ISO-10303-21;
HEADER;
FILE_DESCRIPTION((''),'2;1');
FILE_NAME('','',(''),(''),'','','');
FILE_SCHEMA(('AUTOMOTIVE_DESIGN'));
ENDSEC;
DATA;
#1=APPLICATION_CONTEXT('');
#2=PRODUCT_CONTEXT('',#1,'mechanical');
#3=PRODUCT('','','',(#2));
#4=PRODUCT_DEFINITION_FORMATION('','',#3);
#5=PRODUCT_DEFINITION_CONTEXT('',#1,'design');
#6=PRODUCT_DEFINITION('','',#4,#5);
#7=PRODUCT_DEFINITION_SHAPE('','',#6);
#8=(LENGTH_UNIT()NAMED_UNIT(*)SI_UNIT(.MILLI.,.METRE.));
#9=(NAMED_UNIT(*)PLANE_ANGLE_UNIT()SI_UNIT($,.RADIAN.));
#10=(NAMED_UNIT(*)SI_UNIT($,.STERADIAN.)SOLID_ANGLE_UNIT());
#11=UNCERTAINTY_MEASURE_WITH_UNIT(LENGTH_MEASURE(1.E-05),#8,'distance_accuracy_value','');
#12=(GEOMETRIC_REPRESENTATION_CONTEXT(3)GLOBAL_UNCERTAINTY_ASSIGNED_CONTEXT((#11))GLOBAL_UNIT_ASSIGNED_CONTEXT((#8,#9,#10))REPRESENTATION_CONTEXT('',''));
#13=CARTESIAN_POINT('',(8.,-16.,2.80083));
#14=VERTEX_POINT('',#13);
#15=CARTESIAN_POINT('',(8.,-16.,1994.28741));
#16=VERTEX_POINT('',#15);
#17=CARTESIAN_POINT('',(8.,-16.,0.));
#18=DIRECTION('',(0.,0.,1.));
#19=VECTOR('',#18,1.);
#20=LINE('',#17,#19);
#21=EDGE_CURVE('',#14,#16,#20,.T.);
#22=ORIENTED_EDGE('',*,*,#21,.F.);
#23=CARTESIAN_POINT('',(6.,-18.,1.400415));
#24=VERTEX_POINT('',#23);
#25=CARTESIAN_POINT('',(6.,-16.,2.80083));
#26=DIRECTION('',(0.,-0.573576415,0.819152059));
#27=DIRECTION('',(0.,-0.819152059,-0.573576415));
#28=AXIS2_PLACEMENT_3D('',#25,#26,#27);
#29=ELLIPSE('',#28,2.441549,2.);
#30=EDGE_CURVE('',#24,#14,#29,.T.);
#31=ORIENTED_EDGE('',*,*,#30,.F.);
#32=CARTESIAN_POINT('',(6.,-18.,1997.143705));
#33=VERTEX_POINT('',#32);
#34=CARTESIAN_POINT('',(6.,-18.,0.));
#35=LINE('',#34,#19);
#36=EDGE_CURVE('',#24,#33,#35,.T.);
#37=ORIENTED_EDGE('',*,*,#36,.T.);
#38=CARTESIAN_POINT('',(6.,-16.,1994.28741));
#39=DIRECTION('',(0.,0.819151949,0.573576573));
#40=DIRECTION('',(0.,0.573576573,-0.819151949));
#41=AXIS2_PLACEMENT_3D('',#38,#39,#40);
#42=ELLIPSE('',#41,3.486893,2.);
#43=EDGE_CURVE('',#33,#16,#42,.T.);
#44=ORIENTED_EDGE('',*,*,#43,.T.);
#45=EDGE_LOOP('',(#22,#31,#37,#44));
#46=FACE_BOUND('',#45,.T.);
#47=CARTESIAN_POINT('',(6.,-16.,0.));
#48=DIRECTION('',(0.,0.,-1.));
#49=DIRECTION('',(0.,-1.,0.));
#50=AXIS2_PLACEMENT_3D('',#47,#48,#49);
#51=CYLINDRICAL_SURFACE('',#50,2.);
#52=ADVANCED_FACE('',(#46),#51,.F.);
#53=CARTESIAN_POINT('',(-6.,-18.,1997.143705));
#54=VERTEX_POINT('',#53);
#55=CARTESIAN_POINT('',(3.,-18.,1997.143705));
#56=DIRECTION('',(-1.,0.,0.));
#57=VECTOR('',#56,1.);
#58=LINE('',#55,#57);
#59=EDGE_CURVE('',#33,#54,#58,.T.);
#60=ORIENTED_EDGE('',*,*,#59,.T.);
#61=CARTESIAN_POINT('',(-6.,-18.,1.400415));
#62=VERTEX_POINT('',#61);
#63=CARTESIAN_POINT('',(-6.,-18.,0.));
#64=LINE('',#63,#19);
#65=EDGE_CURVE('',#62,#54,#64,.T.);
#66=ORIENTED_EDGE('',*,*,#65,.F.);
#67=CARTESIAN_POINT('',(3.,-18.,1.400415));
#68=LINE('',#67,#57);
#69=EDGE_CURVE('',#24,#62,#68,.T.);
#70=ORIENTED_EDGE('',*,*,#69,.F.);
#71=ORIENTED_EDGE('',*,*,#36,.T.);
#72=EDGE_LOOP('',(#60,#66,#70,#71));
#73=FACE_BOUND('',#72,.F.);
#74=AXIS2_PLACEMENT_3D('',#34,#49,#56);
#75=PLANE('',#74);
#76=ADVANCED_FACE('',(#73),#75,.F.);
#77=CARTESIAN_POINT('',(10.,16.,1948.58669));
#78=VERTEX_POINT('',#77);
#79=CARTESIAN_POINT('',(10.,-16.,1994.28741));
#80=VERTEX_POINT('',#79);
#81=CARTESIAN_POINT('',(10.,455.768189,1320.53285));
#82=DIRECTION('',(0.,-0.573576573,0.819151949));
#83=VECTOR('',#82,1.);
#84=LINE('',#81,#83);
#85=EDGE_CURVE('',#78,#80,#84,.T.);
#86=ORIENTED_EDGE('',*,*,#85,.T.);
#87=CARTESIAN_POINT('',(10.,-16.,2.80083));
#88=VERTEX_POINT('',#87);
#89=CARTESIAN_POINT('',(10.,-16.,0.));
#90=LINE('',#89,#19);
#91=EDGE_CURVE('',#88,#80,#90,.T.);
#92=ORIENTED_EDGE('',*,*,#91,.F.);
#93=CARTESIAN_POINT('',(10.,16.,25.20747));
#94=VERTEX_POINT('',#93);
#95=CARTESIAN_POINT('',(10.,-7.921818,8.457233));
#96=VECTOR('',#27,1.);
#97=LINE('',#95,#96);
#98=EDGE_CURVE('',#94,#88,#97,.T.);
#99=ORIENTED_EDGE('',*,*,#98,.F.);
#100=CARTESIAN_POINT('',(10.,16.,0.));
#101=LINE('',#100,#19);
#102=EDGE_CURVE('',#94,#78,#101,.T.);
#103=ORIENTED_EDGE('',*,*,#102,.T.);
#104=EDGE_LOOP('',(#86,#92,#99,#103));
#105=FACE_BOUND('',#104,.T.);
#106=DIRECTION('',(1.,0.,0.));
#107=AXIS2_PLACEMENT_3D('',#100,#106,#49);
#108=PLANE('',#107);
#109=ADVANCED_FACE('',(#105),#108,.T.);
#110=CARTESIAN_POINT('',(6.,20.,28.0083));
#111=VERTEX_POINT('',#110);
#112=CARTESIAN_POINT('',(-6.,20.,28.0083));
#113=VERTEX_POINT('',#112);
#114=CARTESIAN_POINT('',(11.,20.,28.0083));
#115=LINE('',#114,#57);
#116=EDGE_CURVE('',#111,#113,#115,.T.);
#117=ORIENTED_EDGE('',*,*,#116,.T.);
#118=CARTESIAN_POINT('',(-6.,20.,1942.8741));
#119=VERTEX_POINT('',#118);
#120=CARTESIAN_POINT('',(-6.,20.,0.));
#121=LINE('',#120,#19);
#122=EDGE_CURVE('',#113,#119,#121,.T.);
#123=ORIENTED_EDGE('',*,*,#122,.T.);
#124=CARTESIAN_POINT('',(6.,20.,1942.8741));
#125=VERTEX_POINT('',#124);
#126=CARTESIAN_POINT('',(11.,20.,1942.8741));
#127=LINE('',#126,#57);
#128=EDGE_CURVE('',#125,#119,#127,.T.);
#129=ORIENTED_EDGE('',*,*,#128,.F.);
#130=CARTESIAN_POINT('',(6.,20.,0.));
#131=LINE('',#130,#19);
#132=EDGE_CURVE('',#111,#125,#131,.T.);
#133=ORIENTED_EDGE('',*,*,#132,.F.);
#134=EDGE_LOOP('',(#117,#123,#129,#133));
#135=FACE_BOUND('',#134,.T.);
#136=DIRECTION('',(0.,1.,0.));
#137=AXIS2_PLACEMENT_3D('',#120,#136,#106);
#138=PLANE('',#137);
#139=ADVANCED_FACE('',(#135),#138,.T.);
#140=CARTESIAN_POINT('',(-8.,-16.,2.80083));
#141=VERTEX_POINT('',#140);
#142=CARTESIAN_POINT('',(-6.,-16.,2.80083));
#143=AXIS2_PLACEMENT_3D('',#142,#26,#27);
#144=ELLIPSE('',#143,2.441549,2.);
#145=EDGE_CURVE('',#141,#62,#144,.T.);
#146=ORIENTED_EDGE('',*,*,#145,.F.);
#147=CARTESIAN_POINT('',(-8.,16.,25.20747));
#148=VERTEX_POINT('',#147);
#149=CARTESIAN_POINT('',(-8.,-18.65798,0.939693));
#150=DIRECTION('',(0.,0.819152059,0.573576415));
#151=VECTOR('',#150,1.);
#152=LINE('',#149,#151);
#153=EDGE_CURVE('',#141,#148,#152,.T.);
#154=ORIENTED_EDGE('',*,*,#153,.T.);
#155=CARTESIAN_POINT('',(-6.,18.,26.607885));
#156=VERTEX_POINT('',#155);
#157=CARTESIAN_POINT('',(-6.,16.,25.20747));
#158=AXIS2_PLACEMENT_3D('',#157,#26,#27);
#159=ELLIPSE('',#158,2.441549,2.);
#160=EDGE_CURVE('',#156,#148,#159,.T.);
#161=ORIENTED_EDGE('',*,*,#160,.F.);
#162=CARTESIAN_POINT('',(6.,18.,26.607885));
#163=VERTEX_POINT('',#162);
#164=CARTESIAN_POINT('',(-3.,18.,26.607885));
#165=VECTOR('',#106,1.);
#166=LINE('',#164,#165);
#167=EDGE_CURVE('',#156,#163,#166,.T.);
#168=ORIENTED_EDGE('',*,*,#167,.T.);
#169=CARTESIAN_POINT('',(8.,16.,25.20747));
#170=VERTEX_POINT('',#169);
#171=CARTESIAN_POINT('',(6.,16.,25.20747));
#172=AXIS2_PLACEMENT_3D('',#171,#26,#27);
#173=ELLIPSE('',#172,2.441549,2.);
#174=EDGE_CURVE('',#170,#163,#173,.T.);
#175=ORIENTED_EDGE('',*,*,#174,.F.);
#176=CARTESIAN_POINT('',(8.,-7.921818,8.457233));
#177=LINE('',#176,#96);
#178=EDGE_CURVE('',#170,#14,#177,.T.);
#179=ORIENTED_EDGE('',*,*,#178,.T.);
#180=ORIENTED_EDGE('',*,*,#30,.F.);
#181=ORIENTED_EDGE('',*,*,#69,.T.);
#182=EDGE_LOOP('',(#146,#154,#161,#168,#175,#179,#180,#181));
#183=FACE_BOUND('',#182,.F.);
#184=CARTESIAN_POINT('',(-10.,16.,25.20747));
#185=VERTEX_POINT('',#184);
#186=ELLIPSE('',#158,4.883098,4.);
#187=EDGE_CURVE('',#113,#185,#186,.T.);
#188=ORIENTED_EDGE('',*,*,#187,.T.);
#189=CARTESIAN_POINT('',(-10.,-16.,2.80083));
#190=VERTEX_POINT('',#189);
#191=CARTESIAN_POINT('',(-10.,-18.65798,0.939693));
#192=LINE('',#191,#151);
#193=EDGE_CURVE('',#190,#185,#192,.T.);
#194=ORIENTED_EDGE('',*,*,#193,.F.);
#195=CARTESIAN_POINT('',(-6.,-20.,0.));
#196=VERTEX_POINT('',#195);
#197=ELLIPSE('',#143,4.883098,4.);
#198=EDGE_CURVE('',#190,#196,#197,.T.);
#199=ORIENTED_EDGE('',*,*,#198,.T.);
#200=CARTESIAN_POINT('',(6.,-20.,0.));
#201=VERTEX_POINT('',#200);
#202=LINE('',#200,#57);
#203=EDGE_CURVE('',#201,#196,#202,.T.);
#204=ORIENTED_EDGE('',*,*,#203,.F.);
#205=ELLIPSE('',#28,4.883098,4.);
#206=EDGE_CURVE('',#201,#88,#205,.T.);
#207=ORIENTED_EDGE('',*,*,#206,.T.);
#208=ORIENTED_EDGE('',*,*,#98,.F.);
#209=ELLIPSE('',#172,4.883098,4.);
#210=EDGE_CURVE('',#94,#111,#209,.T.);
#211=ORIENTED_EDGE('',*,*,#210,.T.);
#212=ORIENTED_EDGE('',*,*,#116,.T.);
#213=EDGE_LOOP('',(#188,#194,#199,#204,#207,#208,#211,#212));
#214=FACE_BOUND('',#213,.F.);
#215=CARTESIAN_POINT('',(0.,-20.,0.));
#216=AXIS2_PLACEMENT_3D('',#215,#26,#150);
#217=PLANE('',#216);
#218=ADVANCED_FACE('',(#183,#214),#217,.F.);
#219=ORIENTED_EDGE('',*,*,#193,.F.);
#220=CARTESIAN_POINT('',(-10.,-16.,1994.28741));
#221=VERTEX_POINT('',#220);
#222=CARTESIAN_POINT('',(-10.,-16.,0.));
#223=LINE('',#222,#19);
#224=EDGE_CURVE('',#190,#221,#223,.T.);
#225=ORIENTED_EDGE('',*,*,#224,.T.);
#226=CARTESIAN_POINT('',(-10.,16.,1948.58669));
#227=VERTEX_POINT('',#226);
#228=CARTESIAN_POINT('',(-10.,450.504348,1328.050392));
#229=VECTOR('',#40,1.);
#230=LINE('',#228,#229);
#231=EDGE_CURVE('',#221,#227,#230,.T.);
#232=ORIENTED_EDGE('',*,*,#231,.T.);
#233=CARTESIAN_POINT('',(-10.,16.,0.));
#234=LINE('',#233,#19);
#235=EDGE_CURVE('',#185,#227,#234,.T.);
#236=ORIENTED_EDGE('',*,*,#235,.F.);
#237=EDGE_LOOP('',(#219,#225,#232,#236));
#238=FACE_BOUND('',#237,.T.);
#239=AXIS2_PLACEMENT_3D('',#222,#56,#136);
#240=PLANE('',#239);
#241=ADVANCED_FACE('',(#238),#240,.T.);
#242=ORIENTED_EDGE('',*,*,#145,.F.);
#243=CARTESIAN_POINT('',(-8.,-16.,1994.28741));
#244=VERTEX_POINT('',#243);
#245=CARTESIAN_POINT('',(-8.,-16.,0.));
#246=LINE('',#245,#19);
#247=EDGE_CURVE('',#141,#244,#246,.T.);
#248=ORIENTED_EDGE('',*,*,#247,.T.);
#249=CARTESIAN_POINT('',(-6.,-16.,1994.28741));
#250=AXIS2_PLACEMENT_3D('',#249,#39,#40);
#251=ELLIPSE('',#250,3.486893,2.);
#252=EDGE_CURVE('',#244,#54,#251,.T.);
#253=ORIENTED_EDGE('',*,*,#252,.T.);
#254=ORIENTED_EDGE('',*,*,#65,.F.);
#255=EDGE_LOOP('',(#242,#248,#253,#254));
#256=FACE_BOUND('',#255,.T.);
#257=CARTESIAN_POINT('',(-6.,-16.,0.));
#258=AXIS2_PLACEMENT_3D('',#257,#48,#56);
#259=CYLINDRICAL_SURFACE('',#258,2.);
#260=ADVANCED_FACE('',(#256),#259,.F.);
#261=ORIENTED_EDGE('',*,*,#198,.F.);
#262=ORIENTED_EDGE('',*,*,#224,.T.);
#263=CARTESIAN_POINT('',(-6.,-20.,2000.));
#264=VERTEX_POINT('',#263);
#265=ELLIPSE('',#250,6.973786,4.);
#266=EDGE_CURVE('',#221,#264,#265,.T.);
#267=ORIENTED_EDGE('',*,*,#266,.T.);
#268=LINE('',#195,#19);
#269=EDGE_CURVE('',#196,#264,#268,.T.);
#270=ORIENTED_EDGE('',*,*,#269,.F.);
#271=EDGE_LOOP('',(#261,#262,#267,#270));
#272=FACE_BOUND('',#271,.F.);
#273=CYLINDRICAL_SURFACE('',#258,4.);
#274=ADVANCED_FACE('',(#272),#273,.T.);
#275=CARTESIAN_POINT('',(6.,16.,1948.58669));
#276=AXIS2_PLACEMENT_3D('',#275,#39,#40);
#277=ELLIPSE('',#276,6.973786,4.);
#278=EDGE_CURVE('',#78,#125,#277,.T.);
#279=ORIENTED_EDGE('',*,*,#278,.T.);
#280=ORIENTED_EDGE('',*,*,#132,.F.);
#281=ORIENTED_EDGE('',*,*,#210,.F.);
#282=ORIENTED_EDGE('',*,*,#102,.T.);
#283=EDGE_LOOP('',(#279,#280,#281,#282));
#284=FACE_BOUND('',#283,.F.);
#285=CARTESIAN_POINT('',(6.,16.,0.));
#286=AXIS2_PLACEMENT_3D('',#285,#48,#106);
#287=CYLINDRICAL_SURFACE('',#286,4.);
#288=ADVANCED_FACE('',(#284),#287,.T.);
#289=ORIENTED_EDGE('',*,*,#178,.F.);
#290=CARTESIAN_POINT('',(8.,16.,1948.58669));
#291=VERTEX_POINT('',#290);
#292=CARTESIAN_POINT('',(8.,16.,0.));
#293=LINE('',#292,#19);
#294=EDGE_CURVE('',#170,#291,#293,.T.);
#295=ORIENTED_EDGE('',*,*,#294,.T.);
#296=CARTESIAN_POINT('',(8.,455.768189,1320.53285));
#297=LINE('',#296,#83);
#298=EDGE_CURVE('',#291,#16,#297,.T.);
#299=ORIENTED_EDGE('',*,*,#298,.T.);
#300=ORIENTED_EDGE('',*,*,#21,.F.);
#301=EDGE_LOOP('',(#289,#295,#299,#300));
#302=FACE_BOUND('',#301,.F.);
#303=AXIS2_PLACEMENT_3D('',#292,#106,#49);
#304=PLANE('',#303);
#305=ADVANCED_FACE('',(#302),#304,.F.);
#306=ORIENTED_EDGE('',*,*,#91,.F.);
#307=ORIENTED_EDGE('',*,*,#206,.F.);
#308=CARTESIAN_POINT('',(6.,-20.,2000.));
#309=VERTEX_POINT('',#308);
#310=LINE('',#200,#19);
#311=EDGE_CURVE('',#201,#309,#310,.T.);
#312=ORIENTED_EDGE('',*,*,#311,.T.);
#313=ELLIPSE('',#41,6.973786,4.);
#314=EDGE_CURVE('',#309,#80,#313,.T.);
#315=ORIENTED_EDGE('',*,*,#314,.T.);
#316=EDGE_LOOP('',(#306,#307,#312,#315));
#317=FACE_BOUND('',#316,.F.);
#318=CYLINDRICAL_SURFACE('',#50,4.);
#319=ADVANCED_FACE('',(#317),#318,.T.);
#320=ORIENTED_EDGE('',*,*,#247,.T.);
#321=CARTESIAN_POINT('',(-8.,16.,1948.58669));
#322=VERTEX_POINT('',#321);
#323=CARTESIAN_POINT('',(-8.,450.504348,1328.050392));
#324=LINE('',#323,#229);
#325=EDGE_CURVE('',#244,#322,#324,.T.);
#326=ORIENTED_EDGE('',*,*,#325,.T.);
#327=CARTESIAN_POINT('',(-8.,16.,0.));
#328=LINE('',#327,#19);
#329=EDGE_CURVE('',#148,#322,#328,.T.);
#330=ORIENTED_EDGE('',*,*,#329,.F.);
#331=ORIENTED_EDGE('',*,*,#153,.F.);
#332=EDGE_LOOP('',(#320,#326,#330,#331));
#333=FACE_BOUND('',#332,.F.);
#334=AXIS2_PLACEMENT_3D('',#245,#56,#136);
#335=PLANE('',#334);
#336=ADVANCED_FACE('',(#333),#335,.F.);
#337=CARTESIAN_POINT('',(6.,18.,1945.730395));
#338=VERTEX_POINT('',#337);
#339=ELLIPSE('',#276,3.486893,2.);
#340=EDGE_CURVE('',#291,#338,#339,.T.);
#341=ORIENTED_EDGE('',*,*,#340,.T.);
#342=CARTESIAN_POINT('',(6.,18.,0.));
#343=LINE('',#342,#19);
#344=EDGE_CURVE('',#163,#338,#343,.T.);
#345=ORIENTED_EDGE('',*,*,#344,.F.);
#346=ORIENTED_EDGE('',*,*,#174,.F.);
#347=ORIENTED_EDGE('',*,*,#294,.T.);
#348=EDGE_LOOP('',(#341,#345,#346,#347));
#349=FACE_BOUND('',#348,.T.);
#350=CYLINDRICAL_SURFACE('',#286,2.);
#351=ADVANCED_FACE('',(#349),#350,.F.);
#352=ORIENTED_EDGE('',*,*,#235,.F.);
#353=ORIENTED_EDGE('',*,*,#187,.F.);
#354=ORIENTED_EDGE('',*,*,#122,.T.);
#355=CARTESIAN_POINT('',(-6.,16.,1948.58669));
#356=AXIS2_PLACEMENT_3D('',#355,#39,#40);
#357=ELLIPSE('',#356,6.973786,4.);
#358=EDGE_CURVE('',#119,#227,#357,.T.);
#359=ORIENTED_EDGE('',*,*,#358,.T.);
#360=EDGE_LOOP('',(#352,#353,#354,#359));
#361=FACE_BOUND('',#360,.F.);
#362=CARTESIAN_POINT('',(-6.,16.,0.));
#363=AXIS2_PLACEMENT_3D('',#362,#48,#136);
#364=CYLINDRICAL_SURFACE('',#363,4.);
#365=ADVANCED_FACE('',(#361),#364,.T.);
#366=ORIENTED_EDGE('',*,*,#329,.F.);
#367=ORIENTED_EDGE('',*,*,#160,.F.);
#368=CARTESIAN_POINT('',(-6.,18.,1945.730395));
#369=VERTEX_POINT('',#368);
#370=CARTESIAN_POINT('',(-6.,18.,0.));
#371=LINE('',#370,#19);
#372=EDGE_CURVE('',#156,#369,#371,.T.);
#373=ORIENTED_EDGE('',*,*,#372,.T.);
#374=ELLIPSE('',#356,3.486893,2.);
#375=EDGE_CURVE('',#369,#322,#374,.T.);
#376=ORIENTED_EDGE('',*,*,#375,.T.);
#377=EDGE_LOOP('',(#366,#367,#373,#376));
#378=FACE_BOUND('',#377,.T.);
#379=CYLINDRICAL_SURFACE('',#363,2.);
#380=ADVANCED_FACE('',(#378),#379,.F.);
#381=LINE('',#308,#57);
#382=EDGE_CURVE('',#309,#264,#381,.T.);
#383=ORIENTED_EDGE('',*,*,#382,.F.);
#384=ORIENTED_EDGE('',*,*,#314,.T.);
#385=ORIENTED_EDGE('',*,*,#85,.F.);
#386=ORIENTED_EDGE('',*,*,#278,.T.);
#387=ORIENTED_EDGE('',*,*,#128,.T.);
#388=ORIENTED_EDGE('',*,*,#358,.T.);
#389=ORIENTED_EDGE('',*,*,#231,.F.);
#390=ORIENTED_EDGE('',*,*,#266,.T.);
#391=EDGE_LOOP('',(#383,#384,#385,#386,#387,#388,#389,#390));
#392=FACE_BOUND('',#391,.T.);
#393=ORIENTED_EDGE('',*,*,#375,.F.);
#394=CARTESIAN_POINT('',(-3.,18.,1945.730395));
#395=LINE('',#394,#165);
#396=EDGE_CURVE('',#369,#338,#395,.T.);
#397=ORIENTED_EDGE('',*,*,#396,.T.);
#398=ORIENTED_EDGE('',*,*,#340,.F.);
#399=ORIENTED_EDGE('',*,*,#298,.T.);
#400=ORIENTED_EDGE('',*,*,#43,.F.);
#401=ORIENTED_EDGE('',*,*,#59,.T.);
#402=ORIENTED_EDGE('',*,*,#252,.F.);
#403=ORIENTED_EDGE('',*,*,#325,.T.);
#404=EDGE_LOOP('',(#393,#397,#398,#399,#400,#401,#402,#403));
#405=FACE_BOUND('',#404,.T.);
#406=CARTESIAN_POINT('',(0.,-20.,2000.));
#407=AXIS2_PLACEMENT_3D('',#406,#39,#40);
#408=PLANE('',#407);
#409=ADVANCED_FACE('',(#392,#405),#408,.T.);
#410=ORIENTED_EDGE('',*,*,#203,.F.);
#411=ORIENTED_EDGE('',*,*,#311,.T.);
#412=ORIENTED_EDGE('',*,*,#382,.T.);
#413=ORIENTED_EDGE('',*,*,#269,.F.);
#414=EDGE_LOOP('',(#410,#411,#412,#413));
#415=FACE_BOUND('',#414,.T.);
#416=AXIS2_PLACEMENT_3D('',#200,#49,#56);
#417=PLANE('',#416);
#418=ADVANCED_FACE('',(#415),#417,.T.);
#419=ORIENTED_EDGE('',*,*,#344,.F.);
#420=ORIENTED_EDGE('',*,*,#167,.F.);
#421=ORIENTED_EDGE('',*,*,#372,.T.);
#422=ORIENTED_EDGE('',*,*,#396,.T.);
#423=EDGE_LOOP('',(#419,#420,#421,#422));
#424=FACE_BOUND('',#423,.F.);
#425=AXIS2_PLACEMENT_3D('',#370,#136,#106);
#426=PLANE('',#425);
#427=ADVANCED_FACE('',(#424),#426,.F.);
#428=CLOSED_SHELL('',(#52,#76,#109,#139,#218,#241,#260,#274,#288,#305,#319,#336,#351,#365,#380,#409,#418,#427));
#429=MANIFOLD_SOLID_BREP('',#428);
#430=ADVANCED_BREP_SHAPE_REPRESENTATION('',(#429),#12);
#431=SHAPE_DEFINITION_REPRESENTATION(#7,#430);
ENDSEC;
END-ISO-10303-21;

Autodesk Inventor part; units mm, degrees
ref_plane "YZ Plane" through (0, 0, 0) normal (1, 0, 0) x (0, 1, 0)
ref_plane "Start plane" through (0, 0, 0) normal (0, 0, 1) x (1, 0, 0)
ref_plane "End plane" through (0, 0, 2000) normal (0, 0, 1) x (1, 0, 0)
sketch "Sketch" plane through (0, 0, 0) normal (0, 0, 1) x (1, 0, 0)
  line L0 (-10, -16) -> (-10, 16)
  line L1 (-6, 20) -> (6, 20)
  line L2 (10, 16) -> (10, -16)
  line L3 (6, -20) -> (-6, -20)
  arc A0 (-10, -16) -> (-6, -20) centre (-6, -16) ccw
  arc A1 (10, 16) -> (6, 20) centre (6, 16) ccw
  arc A2 (-6, 20) -> (-10, 16) centre (-6, 16) ccw
  arc A3 (6, -20) -> (10, -16) centre (6, -16) ccw
  arc A4 (-6, 18) -> (-8, 16) centre (-6, 16) ccw
  line L4 (-6, 18) -> (6, 18)
  arc A5 (8, 16) -> (6, 18) centre (6, 16) ccw
  line L5 (8, 16) -> (8, -16)
  arc A6 (6, -18) -> (8, -16) centre (6, -16) ccw
  line L6 (6, -18) -> (-6, -18)
  arc A7 (-8, -16) -> (-6, -18) centre (-6, -16) ccw
  line L7 (-8, -16) -> (-8, 16)
  line L8 (0, 29.1598) -> (0, -29.1598) construction
  line L9 (-15.1598, 0) -> (15.1598, 0) construction
  dimension "d7" = 4
  dimension "d9" = 20
  dimension "d11" = 40
  dimension "d12" = 2
  dimension "d15" = 10
  dimension "d16" = 20
extrude "Body" add sketch "Sketch" along normal up to surface (2000 mm away) from surface at 0
sketch "Sketch3" plane through (0, 0, 0) normal (0, 0, 1) x (1, 0, 0)
  line L0 (0, 0) -> (10, 0)
ref_plane "Work Plane3" through (0, 0, 0) normal (0, -1, 0) x (1, 0, 0)
sketch "Sketch5" plane through (0, 0, 0) normal (1, 0, 0) x (0, 1, 0)
  line L0 (-20, 0) -> (-20, 2000) projected
  line L1 (-20, 0) -> (-20, 2000) projected
  line L2 (20, 0) -> (20, 2000) projected
  line L3 (20, 0) -> (20, 2000) projected
  line L4 (-20, 0) -> (20, 0)
  line L5 (20, 2000) -> (-20, 2000)
  line L6 (-20, 2000) -> (20, 1942.8741)
  line L7 (-20, 0) -> (20, 28.0083)
  point P0 (0, 0)
  point P1 (20, 28.0083)
  point P2 (20, 1942.8741)
  dimension "d19" = 55
  dimension "d20" = 35
extrude "Extrusion2" cut sketch "Sketch5" along normal through all both and the other way through all contours L7 L2 L4 | L5 L2 L6
sketch "Sketch4" plane through (0, 0, 0) normal (0, -1, 0) x (1, 0, 0)
  line L0 (-2, 0) -> (12, 0) projected
  line L1 (-2, 2000) -> (12, 2000) projected
  dimension "d18" = 2000
equation "\"d7\" = G_IR"
equation "\"d9\" = G_W"
equation "\"d11\" = G_H"
equation "\"d12\" = G_T"
equation "\"d15\" = 0.5 * d9"
equation "\"d16\" = 0.5 * d11"
equation "\"d3\" = G_L"
equation "\"G_W\" = 20"
equation "\"G_H\" = 40"
equation "\"G_T\" = 2"
equation "\"G_IR\" = 4"
equation "\"G_L\" = d18"
equation "\"G_OFFSET_START\" = 0"
equation "\"G_OFFSET_END\" = 0"
properties part number "ISO 4019 - 40x20x2 - 2000" material "Steel, Mild"
